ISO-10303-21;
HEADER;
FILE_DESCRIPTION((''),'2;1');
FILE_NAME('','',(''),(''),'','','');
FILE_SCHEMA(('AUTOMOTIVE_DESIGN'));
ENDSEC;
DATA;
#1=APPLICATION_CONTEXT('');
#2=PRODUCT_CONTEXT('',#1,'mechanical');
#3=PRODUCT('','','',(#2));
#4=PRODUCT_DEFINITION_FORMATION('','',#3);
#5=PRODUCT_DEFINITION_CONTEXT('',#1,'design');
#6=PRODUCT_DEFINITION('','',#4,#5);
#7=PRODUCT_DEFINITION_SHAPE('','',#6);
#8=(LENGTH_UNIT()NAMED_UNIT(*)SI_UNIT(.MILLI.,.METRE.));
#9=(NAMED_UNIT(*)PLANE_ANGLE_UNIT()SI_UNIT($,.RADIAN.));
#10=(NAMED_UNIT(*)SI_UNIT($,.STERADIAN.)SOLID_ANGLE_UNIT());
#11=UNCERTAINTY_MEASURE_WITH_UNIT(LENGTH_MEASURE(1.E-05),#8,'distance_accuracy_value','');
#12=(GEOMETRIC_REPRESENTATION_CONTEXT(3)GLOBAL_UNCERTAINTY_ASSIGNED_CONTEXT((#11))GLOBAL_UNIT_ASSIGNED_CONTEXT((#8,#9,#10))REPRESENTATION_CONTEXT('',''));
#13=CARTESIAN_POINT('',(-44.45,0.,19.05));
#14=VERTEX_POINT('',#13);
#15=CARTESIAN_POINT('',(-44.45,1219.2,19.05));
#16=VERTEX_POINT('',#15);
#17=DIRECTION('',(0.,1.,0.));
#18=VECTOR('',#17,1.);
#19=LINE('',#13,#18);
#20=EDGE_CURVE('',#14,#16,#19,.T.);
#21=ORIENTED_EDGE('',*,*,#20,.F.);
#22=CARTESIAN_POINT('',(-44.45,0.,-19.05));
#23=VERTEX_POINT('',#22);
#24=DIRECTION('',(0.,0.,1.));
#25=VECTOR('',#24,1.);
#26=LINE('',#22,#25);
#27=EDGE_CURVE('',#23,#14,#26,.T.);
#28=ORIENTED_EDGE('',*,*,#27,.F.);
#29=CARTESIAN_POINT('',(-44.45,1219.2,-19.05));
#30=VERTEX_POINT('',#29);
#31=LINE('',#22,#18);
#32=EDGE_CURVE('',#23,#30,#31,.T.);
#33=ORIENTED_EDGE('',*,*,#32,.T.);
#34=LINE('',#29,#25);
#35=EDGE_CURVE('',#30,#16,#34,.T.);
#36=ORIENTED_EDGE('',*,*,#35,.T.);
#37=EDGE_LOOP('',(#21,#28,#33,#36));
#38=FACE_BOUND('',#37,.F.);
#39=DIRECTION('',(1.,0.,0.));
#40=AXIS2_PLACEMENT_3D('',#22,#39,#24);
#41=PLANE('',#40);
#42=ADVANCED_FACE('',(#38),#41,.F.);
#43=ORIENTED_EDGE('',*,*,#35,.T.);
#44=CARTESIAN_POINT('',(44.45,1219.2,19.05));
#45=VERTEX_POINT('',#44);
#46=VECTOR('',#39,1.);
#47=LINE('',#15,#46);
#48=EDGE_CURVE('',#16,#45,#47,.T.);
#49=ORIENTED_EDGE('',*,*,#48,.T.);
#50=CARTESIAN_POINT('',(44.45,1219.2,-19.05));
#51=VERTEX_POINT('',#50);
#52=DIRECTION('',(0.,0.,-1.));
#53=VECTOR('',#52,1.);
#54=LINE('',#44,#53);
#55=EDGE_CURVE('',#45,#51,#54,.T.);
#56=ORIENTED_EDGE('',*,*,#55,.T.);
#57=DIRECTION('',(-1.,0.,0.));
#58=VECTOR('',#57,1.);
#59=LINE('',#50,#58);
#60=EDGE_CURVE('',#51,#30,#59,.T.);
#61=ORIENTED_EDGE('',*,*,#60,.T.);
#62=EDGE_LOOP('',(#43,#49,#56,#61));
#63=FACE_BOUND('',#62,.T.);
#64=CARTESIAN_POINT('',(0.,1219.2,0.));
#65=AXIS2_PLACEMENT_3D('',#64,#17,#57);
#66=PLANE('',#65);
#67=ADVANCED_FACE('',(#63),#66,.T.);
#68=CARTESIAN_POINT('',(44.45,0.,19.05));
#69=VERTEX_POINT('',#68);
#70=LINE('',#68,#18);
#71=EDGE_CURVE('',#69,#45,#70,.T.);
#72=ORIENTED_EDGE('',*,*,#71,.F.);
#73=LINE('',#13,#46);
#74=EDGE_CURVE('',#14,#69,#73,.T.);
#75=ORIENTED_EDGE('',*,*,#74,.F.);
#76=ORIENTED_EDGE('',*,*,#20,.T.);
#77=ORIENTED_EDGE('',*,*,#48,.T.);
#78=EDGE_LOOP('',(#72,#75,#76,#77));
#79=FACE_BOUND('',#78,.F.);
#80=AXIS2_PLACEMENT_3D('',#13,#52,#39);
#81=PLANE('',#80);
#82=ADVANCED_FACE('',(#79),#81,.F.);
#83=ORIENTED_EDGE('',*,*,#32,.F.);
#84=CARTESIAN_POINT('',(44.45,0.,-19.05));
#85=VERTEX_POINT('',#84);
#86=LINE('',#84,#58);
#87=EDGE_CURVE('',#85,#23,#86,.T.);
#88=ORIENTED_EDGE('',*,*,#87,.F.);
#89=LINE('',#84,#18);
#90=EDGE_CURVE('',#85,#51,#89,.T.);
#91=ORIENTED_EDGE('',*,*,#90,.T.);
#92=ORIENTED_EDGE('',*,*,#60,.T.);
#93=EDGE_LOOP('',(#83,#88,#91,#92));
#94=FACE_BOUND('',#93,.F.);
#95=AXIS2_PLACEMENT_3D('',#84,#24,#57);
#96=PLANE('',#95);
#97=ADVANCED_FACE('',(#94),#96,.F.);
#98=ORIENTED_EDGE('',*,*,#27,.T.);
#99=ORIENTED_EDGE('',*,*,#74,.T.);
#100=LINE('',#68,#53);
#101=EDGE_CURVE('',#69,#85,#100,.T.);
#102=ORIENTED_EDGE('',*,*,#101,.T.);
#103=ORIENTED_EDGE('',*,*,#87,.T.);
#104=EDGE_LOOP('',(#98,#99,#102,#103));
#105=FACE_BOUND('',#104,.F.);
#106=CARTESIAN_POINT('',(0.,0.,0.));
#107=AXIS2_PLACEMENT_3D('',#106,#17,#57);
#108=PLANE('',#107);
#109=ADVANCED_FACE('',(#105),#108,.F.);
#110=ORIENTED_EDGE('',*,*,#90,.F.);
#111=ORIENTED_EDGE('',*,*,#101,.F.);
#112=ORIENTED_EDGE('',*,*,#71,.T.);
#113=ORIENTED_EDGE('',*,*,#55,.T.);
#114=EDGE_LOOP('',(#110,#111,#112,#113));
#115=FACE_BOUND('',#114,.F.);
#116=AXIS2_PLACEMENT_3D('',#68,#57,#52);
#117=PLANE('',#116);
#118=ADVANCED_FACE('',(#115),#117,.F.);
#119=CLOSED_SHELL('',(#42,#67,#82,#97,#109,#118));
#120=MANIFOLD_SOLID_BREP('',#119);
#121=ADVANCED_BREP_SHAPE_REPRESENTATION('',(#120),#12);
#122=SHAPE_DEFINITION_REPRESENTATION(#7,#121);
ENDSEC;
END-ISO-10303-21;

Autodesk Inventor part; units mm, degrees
ref_plane "YZ Plane" through (0, 0, 0) normal (1, 0, 0) x (0, 1, 0)
ref_plane "XZ Plane" through (0, 0, 0) normal (0, 1, 0) x (-1, 0, 0)
ref_plane "XY Plane" through (0, 0, 0) normal (0, 0, 1) x (1, 0, 0)
sketch "Sketch1" plane through (0, 0, 0) normal (0, 1, 0) x (-1, 0, 0)
  line L0 (-44.45, -19.05) -> (44.45, -19.05)
  line L1 (44.45, -19.05) -> (44.45, 19.05)
  line L2 (44.45, 19.05) -> (-44.45, 19.05)
  line L3 (-44.45, 19.05) -> (-44.45, -19.05)
  line L4 (-44.45, -19.05) -> (44.45, 19.05) construction
  line L5 (44.45, -19.05) -> (-44.45, 19.05) construction
  point P0 (0, 0)
  dimension "d0" = 38.1
  dimension "d1" = 88.9
extrude "Extrusion1" add sketch "Sketch1" along normal blind 1219.2
properties part number "2x4x96"
